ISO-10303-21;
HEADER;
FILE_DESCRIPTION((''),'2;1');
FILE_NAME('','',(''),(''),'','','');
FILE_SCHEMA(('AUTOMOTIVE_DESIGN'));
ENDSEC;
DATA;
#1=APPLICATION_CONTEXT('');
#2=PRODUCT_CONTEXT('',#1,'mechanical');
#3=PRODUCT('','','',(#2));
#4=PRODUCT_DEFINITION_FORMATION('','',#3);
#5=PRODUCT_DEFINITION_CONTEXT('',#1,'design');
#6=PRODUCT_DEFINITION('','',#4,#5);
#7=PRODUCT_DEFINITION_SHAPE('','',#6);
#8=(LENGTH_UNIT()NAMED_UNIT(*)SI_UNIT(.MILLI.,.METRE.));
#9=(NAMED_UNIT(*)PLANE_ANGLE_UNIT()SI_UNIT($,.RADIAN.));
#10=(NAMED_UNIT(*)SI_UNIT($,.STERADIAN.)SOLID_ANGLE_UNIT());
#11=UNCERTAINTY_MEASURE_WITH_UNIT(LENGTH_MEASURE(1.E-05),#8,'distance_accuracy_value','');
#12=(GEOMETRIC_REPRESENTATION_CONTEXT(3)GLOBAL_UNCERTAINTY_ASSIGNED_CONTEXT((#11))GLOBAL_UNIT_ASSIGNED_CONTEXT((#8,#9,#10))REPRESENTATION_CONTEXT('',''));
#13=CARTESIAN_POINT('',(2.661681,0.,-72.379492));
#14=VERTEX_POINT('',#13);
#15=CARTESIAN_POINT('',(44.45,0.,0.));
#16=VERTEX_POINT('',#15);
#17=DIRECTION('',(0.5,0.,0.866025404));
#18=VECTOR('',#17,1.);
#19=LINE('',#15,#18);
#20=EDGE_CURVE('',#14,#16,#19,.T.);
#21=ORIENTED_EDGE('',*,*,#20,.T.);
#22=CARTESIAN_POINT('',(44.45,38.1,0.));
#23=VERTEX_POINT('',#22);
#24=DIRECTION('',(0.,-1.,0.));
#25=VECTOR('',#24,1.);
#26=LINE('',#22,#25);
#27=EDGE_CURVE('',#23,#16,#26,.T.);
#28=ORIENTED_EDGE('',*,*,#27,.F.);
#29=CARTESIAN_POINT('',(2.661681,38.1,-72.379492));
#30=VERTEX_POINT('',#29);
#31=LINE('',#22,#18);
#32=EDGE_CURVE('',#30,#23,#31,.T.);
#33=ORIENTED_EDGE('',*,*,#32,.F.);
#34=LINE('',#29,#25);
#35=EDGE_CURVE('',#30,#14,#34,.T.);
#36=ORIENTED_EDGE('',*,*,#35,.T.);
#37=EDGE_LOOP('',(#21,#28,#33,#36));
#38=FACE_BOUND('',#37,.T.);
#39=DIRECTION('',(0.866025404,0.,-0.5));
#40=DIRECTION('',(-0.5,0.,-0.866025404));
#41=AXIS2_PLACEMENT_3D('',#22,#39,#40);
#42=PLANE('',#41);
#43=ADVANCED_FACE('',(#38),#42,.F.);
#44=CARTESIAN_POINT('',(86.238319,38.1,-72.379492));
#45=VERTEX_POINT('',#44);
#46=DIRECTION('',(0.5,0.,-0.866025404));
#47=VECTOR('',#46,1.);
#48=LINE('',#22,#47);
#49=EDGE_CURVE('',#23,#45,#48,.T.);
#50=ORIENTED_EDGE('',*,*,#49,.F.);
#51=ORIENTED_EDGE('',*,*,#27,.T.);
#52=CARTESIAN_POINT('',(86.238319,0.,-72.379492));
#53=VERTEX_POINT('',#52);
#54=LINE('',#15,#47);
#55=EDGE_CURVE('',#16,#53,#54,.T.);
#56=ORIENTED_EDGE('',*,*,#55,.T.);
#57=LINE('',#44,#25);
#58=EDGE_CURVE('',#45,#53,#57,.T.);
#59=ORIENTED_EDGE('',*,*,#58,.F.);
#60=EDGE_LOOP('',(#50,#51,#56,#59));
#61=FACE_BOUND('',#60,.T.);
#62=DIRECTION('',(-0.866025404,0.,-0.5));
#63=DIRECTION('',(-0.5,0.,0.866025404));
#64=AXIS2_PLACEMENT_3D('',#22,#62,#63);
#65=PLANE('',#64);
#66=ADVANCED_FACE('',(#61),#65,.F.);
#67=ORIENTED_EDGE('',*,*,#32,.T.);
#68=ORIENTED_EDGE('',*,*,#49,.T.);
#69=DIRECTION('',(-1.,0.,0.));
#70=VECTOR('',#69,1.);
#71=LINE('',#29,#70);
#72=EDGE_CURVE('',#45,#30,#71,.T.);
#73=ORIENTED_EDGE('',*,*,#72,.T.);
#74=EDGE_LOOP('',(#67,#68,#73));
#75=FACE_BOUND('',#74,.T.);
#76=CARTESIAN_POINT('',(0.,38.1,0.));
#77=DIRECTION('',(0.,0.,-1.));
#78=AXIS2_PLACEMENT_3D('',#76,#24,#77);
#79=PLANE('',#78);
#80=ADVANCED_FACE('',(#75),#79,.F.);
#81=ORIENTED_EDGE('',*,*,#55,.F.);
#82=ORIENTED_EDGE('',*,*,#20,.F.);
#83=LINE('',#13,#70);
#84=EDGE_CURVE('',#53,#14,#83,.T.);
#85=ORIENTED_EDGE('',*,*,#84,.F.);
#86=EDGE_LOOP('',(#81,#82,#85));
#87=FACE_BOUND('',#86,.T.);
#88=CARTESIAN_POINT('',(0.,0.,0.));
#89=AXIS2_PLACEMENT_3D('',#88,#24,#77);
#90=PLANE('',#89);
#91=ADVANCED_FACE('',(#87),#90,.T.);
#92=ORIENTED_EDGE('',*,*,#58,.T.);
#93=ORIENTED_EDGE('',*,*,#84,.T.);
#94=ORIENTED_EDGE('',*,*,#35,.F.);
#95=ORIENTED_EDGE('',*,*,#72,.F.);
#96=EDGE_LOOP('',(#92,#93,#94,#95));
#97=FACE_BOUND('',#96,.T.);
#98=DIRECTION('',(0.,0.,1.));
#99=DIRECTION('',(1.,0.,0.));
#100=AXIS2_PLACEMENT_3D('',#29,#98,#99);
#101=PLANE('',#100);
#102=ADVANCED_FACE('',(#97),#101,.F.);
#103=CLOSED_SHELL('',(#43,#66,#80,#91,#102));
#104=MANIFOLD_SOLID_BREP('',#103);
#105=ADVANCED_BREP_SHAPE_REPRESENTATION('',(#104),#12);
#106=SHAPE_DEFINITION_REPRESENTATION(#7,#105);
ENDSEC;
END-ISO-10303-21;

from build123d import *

# Parameters (mm, degrees)
BOSS_EXTRUDE1_DEPTH = 38.1


with BuildPart() as part:
    # Sketch1 → Boss-Extrude1 (new body)
    with BuildSketch(Plane(origin=(0, 0, 0), x_dir=(1, 0, 0), z_dir=(0, 1, 0))):
        Polygon((44.45, 0), (86.238319366, 72.379492305), (2.661680634, 72.379492305), align=None)
    extrude(amount=BOSS_EXTRUDE1_DEPTH)


solid = part.part
